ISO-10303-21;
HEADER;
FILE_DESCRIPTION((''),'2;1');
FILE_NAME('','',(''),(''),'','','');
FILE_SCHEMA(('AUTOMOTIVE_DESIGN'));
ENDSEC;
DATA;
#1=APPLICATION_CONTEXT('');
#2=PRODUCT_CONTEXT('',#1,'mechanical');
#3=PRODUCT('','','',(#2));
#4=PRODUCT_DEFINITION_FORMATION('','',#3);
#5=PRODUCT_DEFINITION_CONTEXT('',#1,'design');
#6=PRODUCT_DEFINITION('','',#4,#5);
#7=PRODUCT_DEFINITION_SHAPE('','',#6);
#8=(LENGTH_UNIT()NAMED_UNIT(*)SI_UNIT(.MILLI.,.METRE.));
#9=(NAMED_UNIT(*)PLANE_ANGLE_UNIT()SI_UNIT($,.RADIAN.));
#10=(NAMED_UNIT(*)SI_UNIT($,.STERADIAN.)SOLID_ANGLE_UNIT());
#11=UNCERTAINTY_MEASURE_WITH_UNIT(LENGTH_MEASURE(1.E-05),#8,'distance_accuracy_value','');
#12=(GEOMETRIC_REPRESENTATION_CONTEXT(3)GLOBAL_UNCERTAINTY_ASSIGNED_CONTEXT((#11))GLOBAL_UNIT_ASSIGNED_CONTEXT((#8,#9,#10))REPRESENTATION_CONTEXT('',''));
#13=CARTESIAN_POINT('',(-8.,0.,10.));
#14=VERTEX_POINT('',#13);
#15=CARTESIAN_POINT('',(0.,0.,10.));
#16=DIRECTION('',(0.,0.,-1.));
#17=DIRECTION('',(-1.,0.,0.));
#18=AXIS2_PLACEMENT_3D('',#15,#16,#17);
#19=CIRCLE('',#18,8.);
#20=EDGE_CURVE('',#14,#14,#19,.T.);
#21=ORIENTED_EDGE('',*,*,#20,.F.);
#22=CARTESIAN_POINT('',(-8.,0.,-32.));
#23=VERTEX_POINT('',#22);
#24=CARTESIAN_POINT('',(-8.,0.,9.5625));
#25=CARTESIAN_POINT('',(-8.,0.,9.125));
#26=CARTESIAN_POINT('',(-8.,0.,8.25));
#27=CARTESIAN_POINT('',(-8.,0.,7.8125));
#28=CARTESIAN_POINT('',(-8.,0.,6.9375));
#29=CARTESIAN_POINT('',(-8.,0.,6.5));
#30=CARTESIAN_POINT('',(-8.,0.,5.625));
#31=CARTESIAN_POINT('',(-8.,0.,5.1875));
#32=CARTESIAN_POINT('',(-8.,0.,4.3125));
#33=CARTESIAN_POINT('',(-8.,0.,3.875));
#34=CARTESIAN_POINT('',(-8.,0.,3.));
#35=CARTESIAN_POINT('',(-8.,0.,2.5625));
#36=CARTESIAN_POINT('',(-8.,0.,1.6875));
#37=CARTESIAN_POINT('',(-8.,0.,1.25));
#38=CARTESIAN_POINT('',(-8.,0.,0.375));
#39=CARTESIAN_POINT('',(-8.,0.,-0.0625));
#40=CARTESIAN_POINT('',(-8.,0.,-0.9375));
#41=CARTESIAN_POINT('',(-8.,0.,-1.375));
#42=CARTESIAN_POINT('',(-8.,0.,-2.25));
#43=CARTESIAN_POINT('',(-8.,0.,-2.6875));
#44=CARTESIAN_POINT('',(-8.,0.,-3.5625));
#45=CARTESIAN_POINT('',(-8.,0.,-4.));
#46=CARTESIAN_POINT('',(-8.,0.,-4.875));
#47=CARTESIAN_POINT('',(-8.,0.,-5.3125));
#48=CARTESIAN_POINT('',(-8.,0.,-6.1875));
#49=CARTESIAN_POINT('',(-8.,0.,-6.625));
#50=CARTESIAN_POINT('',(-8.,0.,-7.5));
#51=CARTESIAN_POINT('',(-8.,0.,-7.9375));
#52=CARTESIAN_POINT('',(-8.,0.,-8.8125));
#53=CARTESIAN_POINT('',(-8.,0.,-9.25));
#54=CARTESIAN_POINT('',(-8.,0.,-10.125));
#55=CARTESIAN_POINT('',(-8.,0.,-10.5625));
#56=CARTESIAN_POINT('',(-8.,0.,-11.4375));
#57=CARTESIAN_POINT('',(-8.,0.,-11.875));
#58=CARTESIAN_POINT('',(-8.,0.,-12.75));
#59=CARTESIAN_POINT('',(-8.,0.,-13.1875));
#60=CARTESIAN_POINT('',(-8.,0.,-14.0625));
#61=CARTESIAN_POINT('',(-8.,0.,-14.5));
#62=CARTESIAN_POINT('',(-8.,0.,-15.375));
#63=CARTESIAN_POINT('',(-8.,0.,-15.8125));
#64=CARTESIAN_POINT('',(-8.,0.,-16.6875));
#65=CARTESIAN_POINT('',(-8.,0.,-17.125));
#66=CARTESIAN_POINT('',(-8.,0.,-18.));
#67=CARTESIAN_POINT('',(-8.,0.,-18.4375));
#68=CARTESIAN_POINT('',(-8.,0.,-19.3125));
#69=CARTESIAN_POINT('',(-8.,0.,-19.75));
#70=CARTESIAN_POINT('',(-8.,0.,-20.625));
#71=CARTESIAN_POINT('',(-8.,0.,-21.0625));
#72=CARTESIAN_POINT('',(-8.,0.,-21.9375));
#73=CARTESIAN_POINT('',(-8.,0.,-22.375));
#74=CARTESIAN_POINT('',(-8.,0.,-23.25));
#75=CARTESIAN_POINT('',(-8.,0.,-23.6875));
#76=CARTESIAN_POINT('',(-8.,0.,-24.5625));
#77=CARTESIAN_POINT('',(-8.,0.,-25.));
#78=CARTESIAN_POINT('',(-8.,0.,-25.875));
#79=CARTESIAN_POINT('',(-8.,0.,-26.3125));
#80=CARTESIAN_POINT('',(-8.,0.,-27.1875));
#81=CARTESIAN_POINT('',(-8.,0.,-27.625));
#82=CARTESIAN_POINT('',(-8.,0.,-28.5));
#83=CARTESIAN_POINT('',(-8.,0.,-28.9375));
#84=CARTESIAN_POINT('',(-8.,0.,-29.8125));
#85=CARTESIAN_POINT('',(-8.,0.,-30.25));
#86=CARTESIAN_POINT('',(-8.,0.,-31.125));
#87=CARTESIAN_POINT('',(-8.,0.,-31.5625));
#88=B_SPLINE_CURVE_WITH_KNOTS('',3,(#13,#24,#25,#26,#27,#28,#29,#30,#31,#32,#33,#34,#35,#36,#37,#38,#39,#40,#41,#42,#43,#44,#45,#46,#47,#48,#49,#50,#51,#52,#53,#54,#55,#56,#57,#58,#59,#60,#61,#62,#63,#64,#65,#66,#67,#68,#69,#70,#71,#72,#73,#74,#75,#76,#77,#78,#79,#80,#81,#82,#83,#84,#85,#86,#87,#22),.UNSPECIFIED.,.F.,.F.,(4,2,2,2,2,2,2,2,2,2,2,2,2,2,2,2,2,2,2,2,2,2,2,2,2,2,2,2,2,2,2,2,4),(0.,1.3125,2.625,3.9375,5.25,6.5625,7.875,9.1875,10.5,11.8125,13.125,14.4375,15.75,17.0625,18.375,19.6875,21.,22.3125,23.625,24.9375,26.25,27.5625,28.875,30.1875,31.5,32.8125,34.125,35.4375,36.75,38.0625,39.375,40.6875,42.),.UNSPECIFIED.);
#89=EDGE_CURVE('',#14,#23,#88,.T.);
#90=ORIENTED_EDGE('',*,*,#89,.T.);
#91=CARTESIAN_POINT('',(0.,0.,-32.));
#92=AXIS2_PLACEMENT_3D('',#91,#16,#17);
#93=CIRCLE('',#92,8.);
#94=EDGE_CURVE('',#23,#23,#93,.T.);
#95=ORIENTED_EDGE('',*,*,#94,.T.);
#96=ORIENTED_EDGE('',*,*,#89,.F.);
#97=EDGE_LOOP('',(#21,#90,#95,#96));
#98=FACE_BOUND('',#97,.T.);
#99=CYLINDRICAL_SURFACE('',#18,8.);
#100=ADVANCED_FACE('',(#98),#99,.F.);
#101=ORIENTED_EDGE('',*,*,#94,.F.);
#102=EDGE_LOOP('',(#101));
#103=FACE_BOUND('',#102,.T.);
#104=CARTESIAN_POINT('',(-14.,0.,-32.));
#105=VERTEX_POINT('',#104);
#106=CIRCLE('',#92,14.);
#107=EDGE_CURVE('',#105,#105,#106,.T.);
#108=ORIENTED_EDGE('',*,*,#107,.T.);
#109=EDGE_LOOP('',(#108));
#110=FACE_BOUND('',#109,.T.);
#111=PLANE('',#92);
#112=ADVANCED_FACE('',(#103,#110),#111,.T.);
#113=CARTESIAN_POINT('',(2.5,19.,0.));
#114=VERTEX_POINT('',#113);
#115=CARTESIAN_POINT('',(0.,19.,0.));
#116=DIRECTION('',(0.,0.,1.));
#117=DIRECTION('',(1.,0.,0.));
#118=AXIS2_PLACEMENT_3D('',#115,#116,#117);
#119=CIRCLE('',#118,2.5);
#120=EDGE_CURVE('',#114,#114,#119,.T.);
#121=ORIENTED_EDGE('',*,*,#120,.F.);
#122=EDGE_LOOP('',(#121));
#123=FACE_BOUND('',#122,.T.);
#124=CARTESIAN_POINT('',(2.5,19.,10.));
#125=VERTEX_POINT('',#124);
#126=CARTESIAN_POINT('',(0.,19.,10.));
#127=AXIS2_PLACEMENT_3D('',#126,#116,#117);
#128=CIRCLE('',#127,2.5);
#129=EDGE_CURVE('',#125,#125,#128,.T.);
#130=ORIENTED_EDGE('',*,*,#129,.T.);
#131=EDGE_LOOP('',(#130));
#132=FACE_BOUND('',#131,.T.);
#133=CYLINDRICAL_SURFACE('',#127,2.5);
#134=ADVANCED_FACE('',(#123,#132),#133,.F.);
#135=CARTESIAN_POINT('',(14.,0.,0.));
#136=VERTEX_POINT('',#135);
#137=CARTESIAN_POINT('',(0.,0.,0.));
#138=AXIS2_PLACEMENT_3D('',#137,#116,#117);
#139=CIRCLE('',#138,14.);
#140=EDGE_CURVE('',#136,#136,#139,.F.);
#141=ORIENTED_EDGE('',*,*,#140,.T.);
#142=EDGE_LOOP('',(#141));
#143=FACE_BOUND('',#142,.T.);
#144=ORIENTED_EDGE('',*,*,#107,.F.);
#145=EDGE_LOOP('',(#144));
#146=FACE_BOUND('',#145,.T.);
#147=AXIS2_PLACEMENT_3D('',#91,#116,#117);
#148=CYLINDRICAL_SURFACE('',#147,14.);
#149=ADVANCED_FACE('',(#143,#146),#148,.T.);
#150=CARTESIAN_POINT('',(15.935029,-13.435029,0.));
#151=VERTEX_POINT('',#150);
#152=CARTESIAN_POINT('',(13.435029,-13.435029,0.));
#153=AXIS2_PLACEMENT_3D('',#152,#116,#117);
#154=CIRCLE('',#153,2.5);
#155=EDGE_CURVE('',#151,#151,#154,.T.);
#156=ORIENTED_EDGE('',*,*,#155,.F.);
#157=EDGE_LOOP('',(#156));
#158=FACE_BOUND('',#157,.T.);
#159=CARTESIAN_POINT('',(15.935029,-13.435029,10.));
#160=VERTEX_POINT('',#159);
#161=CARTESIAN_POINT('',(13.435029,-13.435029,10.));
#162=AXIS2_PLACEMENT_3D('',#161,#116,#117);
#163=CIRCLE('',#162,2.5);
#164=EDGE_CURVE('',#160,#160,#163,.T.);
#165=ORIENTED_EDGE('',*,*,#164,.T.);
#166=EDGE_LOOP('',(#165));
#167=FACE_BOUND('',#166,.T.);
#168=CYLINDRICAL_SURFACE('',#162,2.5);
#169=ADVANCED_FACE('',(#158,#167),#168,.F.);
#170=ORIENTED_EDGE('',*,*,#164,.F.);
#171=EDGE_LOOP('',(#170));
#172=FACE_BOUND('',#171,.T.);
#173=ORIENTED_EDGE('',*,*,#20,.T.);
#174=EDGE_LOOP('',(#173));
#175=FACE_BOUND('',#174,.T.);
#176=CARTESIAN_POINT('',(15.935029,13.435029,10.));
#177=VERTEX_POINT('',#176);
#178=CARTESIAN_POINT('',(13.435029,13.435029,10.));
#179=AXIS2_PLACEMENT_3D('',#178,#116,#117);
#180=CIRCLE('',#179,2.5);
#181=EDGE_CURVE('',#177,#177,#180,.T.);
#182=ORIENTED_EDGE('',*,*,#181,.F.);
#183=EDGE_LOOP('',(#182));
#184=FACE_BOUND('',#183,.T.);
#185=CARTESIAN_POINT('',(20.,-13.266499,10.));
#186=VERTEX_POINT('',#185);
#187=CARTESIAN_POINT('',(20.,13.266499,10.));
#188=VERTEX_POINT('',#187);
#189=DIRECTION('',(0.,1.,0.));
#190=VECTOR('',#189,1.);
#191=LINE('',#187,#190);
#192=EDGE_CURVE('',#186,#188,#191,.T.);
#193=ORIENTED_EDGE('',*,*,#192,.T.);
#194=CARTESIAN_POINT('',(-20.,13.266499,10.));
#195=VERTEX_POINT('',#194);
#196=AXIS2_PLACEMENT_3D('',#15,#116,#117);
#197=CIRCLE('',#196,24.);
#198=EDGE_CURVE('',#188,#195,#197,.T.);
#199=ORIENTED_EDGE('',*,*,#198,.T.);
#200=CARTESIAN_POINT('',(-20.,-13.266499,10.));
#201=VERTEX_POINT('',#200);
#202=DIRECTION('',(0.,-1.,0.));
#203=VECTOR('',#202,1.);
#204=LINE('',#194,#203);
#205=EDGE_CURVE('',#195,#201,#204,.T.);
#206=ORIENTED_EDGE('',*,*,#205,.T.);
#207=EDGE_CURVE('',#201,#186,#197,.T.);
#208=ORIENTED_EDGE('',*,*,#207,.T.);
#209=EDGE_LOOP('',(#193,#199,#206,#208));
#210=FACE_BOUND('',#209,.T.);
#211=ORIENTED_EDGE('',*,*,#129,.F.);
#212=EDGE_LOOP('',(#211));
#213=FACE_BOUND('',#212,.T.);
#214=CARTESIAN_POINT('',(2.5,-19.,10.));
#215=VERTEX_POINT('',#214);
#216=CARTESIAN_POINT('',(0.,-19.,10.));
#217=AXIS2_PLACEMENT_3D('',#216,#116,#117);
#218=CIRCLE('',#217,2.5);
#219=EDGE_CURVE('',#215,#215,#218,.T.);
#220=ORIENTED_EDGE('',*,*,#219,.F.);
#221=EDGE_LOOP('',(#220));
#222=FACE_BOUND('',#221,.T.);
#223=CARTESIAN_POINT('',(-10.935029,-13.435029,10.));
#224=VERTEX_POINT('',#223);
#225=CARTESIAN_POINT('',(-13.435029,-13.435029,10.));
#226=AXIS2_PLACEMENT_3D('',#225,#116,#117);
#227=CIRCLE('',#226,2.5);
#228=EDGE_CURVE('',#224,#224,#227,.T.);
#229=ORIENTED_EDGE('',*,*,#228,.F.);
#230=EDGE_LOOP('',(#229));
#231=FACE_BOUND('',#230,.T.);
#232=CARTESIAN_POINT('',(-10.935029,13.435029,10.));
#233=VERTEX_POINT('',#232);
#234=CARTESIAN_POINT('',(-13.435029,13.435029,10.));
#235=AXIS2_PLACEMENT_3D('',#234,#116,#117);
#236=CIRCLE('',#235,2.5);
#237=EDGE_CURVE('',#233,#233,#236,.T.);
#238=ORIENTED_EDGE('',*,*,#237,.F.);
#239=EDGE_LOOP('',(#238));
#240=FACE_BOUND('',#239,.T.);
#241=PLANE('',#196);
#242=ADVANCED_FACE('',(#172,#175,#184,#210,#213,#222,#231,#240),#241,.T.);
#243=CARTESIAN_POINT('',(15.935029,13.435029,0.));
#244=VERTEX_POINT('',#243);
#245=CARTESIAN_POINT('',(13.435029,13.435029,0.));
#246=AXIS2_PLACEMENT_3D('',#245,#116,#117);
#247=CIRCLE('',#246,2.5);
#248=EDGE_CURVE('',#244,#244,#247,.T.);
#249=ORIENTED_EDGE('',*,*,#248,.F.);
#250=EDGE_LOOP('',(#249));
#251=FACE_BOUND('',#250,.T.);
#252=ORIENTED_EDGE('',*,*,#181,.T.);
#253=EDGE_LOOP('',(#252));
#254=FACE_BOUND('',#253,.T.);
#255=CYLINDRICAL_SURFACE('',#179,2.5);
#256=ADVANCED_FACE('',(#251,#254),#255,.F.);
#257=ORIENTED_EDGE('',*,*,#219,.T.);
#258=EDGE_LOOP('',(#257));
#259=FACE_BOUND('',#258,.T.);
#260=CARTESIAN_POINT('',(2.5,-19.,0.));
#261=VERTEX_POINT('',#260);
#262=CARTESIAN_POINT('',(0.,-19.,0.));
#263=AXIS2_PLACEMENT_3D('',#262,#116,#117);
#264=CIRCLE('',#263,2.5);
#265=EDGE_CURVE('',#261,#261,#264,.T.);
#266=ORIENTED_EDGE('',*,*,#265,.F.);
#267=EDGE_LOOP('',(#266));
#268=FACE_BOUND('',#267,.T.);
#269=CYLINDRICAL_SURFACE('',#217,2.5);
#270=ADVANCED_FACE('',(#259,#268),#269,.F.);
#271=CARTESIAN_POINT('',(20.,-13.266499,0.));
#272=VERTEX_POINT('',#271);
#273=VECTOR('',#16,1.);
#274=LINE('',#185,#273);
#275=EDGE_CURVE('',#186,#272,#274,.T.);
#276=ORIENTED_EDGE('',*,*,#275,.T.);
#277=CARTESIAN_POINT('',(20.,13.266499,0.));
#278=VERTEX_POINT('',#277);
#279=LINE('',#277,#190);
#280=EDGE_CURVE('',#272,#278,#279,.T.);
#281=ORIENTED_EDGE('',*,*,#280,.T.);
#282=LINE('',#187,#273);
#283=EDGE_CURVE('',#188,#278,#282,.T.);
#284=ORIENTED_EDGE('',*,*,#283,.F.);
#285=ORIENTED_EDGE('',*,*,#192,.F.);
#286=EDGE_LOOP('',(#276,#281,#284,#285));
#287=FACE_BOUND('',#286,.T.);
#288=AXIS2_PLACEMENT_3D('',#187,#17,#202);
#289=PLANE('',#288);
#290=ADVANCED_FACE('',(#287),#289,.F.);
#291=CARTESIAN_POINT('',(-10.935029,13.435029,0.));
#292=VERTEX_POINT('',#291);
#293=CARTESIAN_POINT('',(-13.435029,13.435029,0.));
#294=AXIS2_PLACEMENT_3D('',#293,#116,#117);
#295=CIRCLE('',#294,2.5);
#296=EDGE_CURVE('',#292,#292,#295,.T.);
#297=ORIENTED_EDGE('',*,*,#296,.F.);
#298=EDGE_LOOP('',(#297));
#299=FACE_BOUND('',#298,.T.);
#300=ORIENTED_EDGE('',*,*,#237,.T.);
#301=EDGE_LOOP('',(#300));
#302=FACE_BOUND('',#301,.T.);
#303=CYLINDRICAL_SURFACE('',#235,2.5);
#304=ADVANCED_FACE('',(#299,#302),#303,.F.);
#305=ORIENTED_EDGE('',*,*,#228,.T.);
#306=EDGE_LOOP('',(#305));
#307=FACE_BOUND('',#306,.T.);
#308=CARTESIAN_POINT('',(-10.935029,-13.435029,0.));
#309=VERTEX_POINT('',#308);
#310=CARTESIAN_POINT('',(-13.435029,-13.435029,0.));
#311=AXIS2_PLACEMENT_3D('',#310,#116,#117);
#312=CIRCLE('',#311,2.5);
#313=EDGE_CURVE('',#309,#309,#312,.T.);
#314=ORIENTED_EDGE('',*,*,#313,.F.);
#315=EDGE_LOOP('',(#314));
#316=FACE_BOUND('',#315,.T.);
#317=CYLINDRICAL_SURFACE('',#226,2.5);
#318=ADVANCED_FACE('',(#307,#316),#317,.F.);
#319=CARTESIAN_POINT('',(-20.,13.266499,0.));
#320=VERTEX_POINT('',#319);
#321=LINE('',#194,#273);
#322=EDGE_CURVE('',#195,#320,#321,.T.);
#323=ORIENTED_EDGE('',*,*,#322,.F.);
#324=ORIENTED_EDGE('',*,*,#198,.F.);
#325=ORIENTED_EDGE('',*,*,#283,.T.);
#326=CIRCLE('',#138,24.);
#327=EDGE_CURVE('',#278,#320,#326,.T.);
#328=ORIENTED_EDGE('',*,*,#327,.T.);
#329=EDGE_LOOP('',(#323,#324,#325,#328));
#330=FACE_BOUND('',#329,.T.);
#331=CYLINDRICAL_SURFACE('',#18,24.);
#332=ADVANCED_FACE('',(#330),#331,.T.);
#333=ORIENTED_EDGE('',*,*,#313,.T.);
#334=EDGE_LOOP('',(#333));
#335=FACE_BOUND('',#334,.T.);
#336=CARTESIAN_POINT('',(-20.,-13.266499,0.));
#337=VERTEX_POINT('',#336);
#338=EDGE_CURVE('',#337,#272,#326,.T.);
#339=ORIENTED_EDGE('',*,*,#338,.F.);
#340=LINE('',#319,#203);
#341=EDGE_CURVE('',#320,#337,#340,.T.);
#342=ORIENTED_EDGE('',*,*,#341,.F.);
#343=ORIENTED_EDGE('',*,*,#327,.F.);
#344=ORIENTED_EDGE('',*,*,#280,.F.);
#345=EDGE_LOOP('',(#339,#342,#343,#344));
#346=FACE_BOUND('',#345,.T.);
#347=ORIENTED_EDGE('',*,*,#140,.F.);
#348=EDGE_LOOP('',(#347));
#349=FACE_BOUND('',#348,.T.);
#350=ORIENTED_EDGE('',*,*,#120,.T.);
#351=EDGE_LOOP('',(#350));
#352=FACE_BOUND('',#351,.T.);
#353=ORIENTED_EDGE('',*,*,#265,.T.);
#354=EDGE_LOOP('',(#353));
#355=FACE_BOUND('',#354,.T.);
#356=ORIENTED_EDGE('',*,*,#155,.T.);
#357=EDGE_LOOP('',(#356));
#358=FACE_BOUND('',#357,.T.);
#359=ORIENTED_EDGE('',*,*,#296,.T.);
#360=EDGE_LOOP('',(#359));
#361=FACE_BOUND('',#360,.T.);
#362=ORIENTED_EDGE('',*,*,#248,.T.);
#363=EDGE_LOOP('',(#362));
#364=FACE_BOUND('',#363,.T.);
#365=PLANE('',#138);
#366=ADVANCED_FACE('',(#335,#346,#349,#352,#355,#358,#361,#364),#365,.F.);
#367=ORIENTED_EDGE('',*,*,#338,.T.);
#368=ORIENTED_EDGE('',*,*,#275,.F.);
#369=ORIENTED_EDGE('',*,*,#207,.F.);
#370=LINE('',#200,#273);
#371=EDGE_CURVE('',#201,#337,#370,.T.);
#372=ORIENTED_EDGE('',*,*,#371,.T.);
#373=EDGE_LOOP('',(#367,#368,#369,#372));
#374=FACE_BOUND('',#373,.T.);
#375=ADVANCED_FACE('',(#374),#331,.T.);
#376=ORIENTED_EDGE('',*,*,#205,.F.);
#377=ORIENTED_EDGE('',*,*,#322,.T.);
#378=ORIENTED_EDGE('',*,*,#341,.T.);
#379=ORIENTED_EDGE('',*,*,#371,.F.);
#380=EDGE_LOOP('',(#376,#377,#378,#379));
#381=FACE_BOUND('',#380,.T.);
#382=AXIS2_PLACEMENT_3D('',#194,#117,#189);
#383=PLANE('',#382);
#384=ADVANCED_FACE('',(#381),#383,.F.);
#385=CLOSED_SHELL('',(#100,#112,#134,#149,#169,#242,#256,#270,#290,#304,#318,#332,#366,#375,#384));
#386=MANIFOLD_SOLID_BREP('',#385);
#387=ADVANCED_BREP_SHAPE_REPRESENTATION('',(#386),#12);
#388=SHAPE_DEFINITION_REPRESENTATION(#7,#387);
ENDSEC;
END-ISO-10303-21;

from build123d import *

# Parameters (mm, degrees)
BOSS_EXTRUDE1_DEPTH   = 10
SKETCH2_R             = 14
BOSS_EXTRUDE2_DEPTH   = 32
SKETCH3_R             = 8
CUT_EXTRUDE1_DEPTH    = 53.345009313
F_5_0MM_DOWEL_HOLE1_D = 5
CIRPATTERN1_COUNT     = 8


with BuildPart() as part:
    # Sketch1 → Boss-Extrude1 (new body)
    with BuildSketch(Plane.XY):
        with BuildLine():
            Line((-20, 13.266499161), (-20, -13.266499161))
            ThreePointArc((-20, -13.266499161), (0, -24), (20, -13.266499161))
            Line((20, -13.266499161), (20, 13.266499161))
            ThreePointArc((20, 13.266499161), (0, 24), (-20, 13.266499161))
        make_face()
    extrude(amount=BOSS_EXTRUDE1_DEPTH)

    # Sketch2 → Boss-Extrude2 (add)
    with BuildSketch(Plane(origin=(0, 0, 0), x_dir=(-1, 0, 0), z_dir=(0, 0, -1))):
        with Locations(Location((0, 0, 0), (0, 0, 180))):
            Circle(SKETCH2_R)
    extrude(amount=BOSS_EXTRUDE2_DEPTH)

    # Sketch3 → Cut-Extrude1 (cut, through all)
    with BuildSketch(Plane(origin=(0, 0, -32), x_dir=(-1, 0, 0), z_dir=(0, 0, -1))):
        Circle(SKETCH3_R)
    extrude(amount=-CUT_EXTRUDE1_DEPTH, mode=Mode.SUBTRACT)

    # Ø5.0mm Dowel Hole1 (through all)
    with Locations(Plane.XY.offset(10)):
        with Locations((0, 19)):
            f_5_0mm_dowel_hole1 = Hole(F_5_0MM_DOWEL_HOLE1_D / 2)

    # CirPattern1: Ø5.0mm Dowel Hole1 ×8 about axis, 2 skipped
    cirpattern1_axis = Axis((0, 0, 0), (0, 0, -1))
    add([f_5_0mm_dowel_hole1.rotate(cirpattern1_axis, i * 360 / CIRPATTERN1_COUNT) for i in range(1, CIRPATTERN1_COUNT) if i not in (2, 6)], mode=Mode.SUBTRACT)


solid = part.part
